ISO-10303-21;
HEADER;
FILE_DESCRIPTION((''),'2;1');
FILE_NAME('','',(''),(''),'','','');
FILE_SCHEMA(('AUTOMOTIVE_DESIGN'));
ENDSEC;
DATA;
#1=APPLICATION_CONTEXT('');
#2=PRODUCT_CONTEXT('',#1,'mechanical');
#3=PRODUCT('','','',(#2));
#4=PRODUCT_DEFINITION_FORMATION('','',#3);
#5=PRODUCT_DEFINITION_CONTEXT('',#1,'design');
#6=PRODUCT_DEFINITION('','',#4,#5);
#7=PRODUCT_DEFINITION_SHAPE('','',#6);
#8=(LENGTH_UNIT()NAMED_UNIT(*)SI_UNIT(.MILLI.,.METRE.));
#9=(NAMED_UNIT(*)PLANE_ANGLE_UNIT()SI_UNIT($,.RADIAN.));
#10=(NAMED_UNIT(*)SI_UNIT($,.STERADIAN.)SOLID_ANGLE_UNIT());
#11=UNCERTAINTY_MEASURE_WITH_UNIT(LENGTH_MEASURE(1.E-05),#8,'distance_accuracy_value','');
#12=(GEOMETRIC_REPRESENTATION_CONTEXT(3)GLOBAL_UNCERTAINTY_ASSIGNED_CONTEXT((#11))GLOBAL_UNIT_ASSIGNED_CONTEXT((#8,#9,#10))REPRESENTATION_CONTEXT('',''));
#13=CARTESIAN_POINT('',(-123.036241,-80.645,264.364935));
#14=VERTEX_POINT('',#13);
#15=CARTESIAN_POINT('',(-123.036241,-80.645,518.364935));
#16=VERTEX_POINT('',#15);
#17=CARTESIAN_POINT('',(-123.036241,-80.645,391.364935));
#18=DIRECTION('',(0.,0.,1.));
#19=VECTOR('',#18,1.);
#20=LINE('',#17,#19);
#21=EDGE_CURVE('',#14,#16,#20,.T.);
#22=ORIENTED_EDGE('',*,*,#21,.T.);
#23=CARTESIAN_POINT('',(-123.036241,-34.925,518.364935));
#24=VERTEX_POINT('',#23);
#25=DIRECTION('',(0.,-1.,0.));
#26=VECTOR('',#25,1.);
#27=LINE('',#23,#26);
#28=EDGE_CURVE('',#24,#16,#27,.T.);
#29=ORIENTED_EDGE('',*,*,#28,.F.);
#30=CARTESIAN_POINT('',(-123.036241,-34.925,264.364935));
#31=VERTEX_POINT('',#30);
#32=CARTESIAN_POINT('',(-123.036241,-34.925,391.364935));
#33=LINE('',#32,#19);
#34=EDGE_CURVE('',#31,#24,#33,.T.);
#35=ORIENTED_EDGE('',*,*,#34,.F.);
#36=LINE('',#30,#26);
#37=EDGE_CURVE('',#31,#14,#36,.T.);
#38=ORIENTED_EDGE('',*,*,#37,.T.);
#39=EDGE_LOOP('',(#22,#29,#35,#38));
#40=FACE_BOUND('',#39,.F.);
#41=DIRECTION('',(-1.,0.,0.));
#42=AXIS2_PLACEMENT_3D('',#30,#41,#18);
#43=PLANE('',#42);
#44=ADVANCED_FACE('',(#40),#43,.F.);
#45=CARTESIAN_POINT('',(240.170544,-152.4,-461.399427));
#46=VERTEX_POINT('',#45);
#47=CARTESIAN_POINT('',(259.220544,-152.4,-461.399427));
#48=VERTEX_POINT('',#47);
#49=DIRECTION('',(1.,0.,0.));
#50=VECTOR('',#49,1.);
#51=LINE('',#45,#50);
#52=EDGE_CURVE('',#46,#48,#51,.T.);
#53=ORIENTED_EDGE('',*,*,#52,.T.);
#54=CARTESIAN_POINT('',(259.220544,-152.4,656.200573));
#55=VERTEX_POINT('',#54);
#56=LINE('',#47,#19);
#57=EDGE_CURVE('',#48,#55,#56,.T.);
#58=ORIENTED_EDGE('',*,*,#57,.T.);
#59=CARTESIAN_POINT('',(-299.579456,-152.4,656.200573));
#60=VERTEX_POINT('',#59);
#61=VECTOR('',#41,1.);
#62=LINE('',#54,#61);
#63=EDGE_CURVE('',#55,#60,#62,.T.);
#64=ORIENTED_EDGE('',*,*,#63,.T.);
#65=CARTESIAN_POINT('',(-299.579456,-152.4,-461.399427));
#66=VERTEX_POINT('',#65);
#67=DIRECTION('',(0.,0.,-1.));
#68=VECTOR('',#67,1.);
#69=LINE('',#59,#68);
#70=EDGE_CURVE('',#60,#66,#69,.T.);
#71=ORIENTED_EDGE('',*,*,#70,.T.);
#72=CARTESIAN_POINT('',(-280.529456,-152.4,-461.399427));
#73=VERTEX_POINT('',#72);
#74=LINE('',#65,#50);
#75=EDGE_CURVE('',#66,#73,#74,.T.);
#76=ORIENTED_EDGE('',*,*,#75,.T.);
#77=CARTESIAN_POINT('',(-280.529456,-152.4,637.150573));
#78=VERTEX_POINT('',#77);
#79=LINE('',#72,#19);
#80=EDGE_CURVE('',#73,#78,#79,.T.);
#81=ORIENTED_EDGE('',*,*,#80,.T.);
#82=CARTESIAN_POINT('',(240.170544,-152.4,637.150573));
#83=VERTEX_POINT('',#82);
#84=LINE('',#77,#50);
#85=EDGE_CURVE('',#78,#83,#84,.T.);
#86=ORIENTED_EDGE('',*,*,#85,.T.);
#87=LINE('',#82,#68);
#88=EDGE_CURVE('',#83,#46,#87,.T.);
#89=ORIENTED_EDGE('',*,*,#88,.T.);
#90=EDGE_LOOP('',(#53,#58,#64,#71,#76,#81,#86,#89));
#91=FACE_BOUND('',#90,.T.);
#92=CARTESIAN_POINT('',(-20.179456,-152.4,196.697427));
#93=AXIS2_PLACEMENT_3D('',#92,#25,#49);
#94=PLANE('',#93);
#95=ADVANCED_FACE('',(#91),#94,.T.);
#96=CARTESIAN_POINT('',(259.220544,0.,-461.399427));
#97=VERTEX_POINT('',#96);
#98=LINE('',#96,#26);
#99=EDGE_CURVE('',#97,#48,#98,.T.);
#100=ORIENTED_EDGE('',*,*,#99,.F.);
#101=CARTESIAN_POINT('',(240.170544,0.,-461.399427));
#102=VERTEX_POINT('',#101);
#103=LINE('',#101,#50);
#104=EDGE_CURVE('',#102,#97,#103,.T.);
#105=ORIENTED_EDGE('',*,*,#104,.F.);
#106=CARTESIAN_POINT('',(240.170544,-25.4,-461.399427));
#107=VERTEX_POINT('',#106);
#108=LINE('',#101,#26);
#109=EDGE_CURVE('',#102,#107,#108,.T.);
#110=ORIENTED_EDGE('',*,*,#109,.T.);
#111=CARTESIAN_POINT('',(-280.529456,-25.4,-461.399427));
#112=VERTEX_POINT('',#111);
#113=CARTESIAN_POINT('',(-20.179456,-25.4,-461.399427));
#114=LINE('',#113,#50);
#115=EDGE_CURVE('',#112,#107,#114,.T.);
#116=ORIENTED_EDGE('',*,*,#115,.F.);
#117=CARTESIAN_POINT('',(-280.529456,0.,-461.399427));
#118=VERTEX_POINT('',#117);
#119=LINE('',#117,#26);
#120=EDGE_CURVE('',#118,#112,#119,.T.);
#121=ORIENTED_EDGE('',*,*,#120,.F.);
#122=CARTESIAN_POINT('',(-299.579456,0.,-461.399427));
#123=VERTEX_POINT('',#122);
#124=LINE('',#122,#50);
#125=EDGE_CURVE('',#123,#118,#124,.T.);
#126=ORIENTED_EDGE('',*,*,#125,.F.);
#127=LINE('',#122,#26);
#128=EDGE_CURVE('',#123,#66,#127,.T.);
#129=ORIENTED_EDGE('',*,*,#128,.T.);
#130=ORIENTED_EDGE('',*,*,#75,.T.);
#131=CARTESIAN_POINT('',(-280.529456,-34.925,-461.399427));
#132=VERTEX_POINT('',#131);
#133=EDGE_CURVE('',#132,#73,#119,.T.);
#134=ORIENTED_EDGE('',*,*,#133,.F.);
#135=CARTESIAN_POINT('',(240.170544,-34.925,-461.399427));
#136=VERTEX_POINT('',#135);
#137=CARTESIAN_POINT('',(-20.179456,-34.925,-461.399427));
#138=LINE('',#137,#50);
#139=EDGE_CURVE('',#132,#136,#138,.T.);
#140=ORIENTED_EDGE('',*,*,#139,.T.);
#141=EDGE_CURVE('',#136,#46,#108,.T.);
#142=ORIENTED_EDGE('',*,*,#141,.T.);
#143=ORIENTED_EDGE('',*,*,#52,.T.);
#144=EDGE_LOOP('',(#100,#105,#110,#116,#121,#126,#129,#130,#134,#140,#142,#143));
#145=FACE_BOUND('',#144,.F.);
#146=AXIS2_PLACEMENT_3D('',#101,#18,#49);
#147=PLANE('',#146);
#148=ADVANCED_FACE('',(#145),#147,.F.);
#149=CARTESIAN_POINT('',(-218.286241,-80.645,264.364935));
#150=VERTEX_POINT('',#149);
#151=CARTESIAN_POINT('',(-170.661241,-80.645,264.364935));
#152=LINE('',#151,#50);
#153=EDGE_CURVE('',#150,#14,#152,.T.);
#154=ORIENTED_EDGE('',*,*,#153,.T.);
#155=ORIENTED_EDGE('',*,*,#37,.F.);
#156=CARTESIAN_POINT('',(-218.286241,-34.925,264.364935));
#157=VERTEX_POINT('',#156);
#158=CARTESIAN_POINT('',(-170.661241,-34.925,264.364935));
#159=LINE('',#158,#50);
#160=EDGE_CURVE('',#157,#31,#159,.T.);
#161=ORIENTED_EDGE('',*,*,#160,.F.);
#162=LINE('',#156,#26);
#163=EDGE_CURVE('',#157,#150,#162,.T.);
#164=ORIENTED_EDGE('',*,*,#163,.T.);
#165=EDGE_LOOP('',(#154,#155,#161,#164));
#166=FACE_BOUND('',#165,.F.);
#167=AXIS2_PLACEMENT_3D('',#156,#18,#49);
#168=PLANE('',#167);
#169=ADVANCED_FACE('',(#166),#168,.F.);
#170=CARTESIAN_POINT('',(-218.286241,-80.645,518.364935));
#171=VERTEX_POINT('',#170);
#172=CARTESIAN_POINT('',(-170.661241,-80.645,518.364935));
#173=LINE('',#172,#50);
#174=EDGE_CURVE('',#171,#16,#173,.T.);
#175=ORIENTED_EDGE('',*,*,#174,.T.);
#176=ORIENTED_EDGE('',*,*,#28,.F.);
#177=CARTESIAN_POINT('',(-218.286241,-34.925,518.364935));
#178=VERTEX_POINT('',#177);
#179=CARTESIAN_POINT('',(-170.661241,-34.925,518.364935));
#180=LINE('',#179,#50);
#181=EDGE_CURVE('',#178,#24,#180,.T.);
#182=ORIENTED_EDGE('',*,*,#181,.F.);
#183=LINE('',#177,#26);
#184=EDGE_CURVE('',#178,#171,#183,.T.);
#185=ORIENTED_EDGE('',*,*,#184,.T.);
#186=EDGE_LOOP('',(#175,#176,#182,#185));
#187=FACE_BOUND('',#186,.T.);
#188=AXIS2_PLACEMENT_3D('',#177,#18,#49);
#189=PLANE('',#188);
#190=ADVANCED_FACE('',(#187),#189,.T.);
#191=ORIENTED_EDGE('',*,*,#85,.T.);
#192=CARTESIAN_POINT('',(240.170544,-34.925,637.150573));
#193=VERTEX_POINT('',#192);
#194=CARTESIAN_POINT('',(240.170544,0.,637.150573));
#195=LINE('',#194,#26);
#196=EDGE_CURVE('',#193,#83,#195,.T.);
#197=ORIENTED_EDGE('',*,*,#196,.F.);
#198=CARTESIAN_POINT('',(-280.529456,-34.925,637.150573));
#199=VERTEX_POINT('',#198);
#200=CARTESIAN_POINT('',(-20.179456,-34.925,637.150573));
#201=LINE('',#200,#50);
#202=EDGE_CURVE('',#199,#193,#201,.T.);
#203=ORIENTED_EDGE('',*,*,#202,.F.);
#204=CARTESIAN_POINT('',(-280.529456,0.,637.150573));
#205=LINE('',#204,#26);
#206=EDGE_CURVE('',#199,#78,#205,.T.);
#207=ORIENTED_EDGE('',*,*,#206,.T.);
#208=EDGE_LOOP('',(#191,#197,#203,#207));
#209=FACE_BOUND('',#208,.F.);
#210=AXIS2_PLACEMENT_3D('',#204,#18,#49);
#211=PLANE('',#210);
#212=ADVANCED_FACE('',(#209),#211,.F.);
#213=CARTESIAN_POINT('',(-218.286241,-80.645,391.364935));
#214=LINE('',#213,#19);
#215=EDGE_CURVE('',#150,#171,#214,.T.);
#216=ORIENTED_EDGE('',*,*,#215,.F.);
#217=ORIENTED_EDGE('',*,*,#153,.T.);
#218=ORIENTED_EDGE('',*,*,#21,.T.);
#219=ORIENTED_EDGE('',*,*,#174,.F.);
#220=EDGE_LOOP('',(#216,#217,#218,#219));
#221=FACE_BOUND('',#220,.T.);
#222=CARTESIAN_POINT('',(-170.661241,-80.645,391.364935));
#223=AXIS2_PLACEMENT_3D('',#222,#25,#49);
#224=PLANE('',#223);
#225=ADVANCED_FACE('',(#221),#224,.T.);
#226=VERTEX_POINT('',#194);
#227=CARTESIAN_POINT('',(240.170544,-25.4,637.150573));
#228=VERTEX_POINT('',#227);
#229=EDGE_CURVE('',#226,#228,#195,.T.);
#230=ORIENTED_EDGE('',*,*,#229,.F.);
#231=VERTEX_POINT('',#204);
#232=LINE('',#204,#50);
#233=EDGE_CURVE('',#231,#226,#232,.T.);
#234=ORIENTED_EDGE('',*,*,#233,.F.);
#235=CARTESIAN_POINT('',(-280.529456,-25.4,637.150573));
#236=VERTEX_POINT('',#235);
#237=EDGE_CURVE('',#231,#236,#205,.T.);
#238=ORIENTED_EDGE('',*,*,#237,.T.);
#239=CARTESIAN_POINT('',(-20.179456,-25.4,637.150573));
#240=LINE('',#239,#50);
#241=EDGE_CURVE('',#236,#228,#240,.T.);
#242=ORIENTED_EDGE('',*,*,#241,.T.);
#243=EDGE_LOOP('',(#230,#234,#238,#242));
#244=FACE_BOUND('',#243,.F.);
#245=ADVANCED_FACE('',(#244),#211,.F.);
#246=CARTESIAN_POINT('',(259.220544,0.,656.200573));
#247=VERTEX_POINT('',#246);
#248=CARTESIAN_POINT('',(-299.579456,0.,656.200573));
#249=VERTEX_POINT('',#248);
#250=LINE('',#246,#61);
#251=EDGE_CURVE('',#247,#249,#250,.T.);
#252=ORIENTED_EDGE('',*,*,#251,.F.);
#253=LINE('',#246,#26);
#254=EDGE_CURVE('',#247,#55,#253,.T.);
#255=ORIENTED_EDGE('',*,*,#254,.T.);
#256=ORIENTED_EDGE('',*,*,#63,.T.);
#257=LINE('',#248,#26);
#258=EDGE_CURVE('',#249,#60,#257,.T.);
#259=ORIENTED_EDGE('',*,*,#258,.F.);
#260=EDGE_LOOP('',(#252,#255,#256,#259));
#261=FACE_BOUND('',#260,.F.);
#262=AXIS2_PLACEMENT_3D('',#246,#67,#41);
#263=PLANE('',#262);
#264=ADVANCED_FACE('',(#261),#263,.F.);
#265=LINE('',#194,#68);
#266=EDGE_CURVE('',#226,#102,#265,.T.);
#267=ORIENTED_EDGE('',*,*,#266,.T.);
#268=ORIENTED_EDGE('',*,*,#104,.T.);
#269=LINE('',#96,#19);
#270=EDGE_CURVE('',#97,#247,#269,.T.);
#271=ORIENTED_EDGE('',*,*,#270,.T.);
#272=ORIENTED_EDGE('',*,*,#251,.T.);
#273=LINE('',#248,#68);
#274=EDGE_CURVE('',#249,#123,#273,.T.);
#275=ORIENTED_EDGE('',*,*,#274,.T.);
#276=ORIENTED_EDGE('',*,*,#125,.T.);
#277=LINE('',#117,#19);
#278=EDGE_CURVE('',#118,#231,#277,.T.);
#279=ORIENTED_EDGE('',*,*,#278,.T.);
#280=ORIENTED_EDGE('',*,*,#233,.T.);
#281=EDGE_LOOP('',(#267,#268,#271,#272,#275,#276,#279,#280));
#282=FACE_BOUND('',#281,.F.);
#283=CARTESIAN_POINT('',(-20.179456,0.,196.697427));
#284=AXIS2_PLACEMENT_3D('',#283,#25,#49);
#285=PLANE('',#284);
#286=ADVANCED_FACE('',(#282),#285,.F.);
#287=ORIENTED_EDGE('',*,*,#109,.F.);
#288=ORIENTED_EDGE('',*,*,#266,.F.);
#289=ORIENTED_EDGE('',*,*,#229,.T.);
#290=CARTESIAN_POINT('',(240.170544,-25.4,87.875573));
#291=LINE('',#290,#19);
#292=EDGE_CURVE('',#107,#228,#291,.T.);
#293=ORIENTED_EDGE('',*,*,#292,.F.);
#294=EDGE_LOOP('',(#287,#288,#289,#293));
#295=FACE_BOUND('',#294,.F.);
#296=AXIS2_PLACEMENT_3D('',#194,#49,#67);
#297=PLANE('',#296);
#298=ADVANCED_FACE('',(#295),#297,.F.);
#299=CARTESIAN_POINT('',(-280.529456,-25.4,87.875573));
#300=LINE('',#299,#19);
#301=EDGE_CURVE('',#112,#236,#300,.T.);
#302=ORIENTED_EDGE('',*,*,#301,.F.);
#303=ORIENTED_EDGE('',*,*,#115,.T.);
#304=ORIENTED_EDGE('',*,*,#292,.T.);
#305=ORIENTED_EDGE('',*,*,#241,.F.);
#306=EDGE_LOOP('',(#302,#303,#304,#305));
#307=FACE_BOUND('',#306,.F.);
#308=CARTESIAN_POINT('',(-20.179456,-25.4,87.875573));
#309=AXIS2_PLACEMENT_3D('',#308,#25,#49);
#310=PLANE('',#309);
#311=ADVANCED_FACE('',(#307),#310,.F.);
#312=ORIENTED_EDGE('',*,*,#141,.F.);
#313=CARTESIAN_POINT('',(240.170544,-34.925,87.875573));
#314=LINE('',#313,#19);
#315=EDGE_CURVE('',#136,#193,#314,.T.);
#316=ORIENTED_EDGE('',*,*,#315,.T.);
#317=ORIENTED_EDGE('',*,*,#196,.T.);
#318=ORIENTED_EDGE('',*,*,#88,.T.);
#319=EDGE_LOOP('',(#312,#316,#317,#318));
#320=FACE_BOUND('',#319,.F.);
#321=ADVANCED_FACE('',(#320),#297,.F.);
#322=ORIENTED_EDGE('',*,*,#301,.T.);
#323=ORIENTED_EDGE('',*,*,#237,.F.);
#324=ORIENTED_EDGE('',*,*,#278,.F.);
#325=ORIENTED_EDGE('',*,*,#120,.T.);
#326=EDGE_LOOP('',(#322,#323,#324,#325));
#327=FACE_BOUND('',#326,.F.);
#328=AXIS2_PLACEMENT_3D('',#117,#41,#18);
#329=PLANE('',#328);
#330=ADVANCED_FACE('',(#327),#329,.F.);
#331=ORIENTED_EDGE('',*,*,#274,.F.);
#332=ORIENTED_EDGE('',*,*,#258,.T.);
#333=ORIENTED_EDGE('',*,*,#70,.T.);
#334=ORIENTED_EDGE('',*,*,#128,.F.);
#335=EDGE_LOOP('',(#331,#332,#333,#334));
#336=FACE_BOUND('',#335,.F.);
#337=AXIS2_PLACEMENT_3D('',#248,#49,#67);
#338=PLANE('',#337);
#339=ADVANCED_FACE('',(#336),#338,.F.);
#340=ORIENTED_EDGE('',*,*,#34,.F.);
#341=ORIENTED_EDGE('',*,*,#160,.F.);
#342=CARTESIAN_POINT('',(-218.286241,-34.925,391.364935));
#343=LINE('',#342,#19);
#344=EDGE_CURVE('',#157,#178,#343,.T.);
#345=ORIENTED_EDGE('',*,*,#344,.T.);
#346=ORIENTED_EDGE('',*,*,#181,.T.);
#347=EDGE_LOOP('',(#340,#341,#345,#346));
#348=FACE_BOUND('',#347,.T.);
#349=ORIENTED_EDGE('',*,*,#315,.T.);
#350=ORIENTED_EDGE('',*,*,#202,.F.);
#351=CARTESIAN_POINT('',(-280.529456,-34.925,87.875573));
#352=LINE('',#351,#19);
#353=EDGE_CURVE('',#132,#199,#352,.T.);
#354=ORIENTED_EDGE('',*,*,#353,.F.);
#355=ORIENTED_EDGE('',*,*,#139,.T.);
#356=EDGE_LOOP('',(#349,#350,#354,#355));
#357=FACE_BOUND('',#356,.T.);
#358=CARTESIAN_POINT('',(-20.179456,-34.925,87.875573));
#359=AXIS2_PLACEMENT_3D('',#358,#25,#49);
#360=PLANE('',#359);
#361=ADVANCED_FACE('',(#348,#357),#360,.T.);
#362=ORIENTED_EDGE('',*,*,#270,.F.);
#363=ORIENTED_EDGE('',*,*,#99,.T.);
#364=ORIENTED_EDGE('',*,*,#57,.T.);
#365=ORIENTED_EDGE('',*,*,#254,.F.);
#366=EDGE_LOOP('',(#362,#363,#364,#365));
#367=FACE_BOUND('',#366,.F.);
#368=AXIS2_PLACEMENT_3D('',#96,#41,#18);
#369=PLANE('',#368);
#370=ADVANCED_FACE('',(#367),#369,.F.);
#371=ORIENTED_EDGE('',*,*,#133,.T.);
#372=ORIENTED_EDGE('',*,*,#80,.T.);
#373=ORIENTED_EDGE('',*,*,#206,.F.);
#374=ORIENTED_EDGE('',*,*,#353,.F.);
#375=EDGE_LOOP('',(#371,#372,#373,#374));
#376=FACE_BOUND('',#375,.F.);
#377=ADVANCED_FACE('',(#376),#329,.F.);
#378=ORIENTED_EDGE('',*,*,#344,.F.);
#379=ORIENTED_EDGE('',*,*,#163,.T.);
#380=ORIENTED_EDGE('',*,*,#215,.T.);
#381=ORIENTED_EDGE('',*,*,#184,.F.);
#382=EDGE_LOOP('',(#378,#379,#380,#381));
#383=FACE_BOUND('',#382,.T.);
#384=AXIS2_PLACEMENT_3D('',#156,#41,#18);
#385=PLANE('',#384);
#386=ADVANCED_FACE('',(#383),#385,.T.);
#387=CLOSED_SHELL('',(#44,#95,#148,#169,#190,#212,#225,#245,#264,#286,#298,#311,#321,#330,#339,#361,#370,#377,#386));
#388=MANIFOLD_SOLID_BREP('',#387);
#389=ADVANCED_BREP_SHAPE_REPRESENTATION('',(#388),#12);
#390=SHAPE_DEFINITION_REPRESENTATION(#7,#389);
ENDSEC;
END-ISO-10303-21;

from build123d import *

# Parameters (mm, degrees)
F1_DEPTH = 152.4
F2_START = 25.4
F0_W     = 520.7
F0_H     = 1098.55
F2_DEPTH = 9.525
F3_W     = 95.25
F3_H     = 254
F4_DEPTH = 45.72


with BuildPart() as f1:
    # F0 (on Front) → F1 (new body)
    with BuildSketch(Plane.XZ):
        Polygon((259.2205437755, 656.2005733788), (-299.5794562245, 656.2005733788), (-299.5794562245, -461.3994266212), (-280.5294562245, -461.3994266212), (-280.5294562245, 637.1505733788), (240.1705437755, 637.1505733788), (240.1705437755, -461.3994266212), (259.2205437755, -461.3994266212), align=None)
    extrude(amount=F1_DEPTH)

    # F0 (on Front) → F2 (join)
    with BuildSketch(Plane.XZ.offset(F2_START)):
        with Locations((-20.1794562245, 87.8755733788)):
            Rectangle(F0_W, F0_H)
    extrude(amount=F2_DEPTH)

    # F3 (on face) → F4 (join)
    with BuildSketch(Plane.XZ.offset(34.925)):
        with Locations((-170.6612408161, 391.3649345023)):
            Rectangle(F3_W, F3_H)
    extrude(amount=F4_DEPTH)


solid = f1.part
